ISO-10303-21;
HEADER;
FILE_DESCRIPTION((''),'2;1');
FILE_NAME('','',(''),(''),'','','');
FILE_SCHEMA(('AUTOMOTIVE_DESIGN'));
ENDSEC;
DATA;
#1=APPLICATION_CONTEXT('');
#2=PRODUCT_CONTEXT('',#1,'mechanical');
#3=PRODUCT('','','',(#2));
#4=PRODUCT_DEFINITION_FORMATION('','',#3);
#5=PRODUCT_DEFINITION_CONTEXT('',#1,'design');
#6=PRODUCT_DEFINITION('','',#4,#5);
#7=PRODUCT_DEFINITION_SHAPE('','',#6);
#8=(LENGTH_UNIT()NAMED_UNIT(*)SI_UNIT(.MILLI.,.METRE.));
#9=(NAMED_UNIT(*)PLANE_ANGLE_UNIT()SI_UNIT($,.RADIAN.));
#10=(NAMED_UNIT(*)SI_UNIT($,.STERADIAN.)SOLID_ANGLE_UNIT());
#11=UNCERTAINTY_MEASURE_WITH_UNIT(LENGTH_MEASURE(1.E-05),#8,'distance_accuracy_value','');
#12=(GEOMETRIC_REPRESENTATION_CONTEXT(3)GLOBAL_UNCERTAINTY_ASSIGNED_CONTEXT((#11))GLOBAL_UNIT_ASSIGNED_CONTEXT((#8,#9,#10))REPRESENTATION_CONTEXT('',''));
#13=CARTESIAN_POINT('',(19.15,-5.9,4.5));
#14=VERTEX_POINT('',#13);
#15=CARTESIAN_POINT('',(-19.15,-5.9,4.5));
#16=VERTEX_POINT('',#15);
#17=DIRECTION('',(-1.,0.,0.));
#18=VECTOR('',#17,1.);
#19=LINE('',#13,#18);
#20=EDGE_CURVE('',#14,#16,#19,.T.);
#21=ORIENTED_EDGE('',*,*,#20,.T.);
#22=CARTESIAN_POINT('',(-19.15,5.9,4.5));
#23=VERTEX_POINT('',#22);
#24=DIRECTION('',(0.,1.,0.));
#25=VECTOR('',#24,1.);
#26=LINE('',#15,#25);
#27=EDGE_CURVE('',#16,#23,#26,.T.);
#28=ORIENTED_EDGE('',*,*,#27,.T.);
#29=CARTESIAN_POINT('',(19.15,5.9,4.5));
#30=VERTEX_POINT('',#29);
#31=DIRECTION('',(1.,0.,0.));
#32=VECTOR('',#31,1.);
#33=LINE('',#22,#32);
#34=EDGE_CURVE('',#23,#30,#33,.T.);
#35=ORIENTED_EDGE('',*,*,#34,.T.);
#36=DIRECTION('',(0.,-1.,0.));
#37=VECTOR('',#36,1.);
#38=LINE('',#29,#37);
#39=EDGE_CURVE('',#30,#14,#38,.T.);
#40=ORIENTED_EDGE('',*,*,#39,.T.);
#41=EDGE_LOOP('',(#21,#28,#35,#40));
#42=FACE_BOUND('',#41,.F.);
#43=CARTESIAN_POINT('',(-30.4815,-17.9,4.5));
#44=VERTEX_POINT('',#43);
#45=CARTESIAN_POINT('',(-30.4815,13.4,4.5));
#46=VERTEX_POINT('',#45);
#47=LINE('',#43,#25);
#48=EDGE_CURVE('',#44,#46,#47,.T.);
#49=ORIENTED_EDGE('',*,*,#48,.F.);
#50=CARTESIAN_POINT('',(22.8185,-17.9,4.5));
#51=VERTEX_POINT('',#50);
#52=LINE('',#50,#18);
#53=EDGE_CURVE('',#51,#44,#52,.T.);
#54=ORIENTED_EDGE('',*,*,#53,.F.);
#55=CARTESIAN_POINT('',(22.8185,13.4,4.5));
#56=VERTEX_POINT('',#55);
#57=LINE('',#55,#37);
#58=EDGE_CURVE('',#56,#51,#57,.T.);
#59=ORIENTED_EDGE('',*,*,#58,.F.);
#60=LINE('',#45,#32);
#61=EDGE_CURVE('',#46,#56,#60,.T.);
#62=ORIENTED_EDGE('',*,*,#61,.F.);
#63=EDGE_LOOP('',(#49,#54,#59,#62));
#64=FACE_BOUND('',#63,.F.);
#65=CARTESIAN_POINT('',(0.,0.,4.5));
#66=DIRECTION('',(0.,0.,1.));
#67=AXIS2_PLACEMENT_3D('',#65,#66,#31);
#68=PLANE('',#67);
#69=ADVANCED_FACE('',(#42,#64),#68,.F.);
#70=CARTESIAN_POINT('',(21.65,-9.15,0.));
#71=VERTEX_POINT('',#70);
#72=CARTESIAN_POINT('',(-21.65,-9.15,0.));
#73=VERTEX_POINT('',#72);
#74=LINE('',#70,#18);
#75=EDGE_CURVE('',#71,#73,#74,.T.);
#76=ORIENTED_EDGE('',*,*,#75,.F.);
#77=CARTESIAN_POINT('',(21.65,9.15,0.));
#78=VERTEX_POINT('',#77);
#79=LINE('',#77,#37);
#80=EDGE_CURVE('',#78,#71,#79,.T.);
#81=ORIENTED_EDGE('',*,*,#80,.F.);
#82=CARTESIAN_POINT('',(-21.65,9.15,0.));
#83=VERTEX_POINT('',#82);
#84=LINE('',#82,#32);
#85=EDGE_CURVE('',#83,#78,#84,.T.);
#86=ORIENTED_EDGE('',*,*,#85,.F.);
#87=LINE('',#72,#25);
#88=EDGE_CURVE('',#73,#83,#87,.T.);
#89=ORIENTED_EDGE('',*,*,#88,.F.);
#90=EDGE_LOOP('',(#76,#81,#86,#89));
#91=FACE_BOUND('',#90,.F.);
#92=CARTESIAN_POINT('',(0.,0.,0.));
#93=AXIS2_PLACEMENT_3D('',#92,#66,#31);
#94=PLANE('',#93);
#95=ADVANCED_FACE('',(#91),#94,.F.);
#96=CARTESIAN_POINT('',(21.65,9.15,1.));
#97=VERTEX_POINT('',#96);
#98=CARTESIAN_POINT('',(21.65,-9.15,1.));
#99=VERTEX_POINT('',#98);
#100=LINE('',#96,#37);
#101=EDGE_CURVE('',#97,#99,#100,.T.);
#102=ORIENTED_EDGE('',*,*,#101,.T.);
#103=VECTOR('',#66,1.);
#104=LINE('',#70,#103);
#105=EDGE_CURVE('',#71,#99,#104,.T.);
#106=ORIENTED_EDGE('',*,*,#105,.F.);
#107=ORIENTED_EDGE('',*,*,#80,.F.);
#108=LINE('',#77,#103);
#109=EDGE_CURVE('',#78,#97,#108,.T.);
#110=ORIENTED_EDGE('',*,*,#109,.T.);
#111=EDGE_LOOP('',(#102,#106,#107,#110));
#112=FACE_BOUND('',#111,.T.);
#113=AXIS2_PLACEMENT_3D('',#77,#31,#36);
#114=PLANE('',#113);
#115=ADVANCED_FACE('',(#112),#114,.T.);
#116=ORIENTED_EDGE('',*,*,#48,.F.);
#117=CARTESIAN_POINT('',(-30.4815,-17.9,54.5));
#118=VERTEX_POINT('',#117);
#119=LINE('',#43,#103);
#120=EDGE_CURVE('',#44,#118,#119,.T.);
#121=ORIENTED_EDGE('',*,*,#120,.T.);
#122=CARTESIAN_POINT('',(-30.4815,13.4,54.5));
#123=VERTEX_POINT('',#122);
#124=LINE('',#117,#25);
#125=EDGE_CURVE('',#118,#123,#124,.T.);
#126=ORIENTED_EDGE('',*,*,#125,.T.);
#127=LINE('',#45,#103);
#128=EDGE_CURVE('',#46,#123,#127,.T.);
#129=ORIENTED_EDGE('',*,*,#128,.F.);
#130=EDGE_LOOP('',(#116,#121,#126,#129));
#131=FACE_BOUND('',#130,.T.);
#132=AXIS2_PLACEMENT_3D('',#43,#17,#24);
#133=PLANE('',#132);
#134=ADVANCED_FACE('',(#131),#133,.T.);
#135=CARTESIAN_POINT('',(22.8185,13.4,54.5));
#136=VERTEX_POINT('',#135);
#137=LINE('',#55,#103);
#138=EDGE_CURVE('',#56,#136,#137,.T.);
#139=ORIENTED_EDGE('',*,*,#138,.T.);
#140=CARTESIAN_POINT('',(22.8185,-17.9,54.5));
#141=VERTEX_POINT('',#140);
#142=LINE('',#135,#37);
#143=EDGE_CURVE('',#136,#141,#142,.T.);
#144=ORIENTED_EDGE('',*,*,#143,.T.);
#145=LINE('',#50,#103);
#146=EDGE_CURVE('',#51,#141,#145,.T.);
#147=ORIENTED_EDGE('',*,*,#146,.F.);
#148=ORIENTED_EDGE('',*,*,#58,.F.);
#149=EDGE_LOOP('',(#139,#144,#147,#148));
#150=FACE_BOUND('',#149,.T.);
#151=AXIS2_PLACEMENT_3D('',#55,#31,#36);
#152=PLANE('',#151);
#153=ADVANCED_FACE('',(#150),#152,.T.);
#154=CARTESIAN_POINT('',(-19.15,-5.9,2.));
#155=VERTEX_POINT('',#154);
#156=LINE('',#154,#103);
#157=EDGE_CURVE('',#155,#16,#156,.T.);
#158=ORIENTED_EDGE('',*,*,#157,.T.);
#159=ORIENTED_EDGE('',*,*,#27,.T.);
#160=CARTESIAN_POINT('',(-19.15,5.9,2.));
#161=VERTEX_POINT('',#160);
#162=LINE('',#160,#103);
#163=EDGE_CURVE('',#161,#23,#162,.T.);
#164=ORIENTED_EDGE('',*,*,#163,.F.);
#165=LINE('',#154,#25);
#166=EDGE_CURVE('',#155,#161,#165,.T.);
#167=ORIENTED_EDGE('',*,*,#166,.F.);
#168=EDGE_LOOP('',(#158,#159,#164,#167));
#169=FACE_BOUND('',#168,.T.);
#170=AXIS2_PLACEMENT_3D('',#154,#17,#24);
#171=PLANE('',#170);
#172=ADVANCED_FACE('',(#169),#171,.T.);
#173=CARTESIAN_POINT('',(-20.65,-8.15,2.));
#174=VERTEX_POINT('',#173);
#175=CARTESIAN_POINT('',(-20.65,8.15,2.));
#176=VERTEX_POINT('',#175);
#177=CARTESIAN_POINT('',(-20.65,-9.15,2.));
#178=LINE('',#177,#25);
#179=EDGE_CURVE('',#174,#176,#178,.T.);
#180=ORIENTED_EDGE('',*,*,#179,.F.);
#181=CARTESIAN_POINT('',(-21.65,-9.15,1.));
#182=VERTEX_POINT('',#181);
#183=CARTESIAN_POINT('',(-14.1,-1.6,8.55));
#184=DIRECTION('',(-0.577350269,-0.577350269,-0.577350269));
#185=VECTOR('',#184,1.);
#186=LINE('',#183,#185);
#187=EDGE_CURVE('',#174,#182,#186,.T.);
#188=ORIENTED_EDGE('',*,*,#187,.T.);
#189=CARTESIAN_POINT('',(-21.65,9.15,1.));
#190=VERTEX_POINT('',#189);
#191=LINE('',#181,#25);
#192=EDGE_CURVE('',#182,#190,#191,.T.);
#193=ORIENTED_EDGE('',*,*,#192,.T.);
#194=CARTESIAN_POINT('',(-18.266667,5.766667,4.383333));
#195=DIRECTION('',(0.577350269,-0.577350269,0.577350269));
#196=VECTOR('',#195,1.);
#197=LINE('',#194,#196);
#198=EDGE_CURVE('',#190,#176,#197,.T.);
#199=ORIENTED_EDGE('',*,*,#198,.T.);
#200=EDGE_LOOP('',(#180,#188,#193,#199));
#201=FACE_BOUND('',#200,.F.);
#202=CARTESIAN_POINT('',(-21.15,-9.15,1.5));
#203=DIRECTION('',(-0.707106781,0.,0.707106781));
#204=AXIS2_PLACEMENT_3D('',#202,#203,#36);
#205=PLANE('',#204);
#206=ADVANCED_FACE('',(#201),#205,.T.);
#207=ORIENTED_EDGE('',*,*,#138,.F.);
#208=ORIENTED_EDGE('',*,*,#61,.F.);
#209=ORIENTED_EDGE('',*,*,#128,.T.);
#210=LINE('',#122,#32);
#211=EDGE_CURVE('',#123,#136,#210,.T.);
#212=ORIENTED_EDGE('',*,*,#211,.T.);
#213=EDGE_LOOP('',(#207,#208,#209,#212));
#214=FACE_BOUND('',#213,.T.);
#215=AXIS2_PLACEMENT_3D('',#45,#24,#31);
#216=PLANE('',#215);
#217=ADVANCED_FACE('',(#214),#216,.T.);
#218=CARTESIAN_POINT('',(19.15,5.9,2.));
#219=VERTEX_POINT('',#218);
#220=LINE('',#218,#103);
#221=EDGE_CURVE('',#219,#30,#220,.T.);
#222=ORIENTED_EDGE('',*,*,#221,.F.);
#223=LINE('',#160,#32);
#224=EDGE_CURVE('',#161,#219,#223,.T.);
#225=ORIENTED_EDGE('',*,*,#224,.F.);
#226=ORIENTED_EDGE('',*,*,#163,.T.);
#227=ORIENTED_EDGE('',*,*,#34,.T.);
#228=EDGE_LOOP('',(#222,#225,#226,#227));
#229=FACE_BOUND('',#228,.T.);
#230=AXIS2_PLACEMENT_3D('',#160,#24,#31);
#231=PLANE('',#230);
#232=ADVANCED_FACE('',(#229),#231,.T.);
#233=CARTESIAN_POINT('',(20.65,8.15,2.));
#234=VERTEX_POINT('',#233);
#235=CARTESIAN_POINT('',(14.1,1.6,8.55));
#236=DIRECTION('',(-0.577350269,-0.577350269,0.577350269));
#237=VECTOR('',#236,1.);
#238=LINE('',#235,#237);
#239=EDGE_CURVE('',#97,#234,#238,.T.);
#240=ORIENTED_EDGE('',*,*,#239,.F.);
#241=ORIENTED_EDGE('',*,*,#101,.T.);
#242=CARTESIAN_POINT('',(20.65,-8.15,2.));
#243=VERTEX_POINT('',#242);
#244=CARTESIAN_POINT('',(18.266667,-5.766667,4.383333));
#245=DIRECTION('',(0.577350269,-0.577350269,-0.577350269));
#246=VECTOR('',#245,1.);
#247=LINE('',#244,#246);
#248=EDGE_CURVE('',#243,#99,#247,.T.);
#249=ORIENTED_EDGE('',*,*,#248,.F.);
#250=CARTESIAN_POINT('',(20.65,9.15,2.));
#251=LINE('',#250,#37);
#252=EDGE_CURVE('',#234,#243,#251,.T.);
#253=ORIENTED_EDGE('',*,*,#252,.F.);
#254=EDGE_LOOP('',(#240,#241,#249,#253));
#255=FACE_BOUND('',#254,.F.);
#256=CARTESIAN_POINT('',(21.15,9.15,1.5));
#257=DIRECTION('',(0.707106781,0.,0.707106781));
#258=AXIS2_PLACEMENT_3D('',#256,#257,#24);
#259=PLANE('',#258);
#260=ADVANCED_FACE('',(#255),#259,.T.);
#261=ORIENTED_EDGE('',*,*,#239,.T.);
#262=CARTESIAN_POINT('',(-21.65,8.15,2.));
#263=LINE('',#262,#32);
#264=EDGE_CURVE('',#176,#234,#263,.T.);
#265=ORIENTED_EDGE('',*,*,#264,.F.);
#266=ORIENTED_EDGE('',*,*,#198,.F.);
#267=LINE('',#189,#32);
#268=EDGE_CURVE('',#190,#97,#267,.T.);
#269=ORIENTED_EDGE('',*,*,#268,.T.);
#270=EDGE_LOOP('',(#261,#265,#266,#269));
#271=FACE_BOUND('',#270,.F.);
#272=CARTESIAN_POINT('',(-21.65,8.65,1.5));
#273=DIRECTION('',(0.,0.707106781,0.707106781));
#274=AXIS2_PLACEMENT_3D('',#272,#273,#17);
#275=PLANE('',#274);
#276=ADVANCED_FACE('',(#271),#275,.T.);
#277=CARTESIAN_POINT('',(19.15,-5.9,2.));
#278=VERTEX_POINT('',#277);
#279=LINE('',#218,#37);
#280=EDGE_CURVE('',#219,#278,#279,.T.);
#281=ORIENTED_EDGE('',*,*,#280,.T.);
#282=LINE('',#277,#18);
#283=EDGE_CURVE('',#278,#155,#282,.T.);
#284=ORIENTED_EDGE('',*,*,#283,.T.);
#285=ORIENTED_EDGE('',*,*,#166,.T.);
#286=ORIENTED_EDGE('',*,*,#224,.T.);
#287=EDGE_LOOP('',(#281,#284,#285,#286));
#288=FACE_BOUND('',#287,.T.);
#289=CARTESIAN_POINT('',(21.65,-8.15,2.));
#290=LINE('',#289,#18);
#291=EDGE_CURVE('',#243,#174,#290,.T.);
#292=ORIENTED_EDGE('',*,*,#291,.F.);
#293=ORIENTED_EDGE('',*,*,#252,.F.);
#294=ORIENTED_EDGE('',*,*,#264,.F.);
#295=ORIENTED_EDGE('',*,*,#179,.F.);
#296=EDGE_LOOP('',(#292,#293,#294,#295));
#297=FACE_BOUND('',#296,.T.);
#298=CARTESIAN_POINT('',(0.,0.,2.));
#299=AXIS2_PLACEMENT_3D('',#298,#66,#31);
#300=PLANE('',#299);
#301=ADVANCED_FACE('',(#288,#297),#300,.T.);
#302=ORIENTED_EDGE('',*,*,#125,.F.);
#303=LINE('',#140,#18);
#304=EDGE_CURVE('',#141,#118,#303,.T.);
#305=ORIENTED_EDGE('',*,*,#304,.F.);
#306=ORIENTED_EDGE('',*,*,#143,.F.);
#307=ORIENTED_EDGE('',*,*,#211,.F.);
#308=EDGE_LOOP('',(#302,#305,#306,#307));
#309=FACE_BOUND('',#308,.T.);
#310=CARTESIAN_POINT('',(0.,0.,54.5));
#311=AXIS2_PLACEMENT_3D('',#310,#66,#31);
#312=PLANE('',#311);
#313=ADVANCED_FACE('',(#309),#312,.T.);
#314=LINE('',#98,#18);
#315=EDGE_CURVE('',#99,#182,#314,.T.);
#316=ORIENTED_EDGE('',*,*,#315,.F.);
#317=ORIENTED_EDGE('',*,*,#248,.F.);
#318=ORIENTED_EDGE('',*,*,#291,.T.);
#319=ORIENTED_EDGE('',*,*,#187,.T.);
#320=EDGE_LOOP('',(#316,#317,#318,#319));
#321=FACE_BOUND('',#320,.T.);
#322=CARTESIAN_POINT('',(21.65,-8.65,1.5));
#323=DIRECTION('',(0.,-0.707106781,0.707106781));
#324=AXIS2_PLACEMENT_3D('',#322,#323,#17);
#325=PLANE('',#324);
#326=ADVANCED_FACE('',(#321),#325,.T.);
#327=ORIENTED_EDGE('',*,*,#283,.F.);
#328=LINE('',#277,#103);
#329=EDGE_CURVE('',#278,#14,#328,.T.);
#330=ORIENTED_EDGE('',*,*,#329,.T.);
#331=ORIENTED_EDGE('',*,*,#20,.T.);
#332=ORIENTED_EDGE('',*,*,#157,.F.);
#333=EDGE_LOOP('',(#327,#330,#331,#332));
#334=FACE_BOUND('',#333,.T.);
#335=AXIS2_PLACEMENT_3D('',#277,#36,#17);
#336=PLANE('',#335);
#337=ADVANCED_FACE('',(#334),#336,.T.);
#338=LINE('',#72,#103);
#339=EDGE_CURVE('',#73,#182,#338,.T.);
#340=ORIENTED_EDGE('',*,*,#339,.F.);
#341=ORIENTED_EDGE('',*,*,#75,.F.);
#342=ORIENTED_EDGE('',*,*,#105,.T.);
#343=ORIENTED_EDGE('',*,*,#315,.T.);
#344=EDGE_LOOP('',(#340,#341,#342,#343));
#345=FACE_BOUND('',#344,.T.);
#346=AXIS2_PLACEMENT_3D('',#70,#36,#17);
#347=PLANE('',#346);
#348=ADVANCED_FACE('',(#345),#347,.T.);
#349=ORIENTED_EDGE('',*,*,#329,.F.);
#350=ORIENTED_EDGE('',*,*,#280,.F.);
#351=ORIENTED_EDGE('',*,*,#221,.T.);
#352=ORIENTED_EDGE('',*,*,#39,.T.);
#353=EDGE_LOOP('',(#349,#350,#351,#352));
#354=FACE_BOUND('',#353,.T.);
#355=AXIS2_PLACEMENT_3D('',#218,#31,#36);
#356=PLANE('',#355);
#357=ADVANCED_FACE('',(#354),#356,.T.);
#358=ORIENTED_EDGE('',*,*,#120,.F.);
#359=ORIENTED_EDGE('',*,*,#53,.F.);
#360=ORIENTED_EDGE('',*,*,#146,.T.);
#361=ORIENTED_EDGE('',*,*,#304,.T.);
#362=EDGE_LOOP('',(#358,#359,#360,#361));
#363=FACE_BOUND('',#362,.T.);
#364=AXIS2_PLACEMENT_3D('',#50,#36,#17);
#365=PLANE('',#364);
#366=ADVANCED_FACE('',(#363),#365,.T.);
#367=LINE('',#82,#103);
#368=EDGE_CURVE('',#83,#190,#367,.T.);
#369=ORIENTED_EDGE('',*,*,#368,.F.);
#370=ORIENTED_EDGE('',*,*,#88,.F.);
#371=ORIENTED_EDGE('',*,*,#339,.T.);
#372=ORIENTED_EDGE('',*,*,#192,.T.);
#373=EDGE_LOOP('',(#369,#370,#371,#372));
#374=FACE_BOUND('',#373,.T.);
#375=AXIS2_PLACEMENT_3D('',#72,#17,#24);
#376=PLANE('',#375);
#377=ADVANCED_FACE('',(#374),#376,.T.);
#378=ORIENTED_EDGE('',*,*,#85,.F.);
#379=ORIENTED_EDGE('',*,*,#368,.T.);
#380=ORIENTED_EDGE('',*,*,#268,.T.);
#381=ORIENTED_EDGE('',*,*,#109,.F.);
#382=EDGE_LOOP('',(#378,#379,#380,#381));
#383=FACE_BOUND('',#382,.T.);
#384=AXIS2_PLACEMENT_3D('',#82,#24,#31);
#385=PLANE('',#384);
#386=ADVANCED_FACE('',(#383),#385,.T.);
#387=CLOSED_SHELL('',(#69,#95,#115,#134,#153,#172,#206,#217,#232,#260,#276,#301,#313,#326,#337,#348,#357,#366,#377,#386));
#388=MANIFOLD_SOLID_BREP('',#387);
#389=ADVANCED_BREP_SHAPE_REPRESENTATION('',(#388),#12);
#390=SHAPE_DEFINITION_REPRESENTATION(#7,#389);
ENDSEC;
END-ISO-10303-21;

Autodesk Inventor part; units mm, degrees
ref_plane "YZ Plane" through (0, 0, 0) normal (1, 0, 0) x (0, 1, 0)
ref_plane "XZ Plane" through (0, 0, 0) normal (0, 1, 0) x (-1, 0, 0)
ref_plane "XY Plane" through (0, 0, 0) normal (0, 0, 1) x (1, 0, 0)
sketch "Sketch1" plane through (0, 0, 0) normal (0, 0, 1) x (1, 0, 0)
  line L0 (-21.65, 9.15) -> (21.65, 9.15)
  line L1 (21.65, 9.15) -> (21.65, -9.15)
  line L2 (21.65, -9.15) -> (-21.65, -9.15)
  line L3 (-21.65, -9.15) -> (-21.65, 9.15)
  line L4 (-21.65, 9.15) -> (21.65, -9.15) construction
  line L5 (21.65, 9.15) -> (-21.65, -9.15) construction
  point P0 (0, 0)
  dimension "d0" = 43.3
  dimension "d1" = 18.3
extrude "Extrusion1" add sketch "Sketch1" along normal blind 2
sketch "Sketch2" plane through (0, 0, 2) normal (0, 0, 1) x (1, 0, 0)
  line L0 (-19.15, 5.9) -> (19.15, 5.9)
  line L1 (19.15, 5.9) -> (19.15, -5.9)
  line L2 (19.15, -5.9) -> (-19.15, -5.9)
  line L3 (-19.15, -5.9) -> (-19.15, 5.9)
  line L4 (-19.15, 5.9) -> (19.15, -5.9) construction
  line L5 (19.15, 5.9) -> (-19.15, -5.9) construction
  point P0 (0, 0)
  dimension "d4" = 38.3
  dimension "d5" = 11.8
extrude "Extrusion2" add sketch "Sketch2" along normal blind 2.5
chamfer "Chamfer1" distance 1 angle 45 4 edges at (0, -9.15, 2) (21.65, 0, 2) (-21.65, 0, 2) (0, 9.15, 2)
sketch "Sketch3" plane through (0, 0, 4.5) normal (0, 0, 1) x (1, 0, 0)
  line L0 (22.8185, -17.9) -> (-30.4815, -17.9)
  line L1 (-30.4815, -17.9) -> (-30.4815, 13.4)
  line L2 (-30.4815, 13.4) -> (22.8185, 13.4)
  line L3 (22.8185, 13.4) -> (22.8185, -17.9)
  line L4 (-30.4815, -17.9) -> (22.8185, 13.4) construction
  line L5 (19.15, 5.9) -> (-19.15, 5.9) projected
  line L6 (-19.15, -5.9) -> (19.15, -5.9) projected
  point P0 (0, 0)
  dimension "d11" = 53.3
  dimension "d12" = 7.5
  dimension "d13" = 12
extrude "Extrusion3" add sketch "Sketch3" along normal blind 50
properties part number "Power Socket Insert v1"
